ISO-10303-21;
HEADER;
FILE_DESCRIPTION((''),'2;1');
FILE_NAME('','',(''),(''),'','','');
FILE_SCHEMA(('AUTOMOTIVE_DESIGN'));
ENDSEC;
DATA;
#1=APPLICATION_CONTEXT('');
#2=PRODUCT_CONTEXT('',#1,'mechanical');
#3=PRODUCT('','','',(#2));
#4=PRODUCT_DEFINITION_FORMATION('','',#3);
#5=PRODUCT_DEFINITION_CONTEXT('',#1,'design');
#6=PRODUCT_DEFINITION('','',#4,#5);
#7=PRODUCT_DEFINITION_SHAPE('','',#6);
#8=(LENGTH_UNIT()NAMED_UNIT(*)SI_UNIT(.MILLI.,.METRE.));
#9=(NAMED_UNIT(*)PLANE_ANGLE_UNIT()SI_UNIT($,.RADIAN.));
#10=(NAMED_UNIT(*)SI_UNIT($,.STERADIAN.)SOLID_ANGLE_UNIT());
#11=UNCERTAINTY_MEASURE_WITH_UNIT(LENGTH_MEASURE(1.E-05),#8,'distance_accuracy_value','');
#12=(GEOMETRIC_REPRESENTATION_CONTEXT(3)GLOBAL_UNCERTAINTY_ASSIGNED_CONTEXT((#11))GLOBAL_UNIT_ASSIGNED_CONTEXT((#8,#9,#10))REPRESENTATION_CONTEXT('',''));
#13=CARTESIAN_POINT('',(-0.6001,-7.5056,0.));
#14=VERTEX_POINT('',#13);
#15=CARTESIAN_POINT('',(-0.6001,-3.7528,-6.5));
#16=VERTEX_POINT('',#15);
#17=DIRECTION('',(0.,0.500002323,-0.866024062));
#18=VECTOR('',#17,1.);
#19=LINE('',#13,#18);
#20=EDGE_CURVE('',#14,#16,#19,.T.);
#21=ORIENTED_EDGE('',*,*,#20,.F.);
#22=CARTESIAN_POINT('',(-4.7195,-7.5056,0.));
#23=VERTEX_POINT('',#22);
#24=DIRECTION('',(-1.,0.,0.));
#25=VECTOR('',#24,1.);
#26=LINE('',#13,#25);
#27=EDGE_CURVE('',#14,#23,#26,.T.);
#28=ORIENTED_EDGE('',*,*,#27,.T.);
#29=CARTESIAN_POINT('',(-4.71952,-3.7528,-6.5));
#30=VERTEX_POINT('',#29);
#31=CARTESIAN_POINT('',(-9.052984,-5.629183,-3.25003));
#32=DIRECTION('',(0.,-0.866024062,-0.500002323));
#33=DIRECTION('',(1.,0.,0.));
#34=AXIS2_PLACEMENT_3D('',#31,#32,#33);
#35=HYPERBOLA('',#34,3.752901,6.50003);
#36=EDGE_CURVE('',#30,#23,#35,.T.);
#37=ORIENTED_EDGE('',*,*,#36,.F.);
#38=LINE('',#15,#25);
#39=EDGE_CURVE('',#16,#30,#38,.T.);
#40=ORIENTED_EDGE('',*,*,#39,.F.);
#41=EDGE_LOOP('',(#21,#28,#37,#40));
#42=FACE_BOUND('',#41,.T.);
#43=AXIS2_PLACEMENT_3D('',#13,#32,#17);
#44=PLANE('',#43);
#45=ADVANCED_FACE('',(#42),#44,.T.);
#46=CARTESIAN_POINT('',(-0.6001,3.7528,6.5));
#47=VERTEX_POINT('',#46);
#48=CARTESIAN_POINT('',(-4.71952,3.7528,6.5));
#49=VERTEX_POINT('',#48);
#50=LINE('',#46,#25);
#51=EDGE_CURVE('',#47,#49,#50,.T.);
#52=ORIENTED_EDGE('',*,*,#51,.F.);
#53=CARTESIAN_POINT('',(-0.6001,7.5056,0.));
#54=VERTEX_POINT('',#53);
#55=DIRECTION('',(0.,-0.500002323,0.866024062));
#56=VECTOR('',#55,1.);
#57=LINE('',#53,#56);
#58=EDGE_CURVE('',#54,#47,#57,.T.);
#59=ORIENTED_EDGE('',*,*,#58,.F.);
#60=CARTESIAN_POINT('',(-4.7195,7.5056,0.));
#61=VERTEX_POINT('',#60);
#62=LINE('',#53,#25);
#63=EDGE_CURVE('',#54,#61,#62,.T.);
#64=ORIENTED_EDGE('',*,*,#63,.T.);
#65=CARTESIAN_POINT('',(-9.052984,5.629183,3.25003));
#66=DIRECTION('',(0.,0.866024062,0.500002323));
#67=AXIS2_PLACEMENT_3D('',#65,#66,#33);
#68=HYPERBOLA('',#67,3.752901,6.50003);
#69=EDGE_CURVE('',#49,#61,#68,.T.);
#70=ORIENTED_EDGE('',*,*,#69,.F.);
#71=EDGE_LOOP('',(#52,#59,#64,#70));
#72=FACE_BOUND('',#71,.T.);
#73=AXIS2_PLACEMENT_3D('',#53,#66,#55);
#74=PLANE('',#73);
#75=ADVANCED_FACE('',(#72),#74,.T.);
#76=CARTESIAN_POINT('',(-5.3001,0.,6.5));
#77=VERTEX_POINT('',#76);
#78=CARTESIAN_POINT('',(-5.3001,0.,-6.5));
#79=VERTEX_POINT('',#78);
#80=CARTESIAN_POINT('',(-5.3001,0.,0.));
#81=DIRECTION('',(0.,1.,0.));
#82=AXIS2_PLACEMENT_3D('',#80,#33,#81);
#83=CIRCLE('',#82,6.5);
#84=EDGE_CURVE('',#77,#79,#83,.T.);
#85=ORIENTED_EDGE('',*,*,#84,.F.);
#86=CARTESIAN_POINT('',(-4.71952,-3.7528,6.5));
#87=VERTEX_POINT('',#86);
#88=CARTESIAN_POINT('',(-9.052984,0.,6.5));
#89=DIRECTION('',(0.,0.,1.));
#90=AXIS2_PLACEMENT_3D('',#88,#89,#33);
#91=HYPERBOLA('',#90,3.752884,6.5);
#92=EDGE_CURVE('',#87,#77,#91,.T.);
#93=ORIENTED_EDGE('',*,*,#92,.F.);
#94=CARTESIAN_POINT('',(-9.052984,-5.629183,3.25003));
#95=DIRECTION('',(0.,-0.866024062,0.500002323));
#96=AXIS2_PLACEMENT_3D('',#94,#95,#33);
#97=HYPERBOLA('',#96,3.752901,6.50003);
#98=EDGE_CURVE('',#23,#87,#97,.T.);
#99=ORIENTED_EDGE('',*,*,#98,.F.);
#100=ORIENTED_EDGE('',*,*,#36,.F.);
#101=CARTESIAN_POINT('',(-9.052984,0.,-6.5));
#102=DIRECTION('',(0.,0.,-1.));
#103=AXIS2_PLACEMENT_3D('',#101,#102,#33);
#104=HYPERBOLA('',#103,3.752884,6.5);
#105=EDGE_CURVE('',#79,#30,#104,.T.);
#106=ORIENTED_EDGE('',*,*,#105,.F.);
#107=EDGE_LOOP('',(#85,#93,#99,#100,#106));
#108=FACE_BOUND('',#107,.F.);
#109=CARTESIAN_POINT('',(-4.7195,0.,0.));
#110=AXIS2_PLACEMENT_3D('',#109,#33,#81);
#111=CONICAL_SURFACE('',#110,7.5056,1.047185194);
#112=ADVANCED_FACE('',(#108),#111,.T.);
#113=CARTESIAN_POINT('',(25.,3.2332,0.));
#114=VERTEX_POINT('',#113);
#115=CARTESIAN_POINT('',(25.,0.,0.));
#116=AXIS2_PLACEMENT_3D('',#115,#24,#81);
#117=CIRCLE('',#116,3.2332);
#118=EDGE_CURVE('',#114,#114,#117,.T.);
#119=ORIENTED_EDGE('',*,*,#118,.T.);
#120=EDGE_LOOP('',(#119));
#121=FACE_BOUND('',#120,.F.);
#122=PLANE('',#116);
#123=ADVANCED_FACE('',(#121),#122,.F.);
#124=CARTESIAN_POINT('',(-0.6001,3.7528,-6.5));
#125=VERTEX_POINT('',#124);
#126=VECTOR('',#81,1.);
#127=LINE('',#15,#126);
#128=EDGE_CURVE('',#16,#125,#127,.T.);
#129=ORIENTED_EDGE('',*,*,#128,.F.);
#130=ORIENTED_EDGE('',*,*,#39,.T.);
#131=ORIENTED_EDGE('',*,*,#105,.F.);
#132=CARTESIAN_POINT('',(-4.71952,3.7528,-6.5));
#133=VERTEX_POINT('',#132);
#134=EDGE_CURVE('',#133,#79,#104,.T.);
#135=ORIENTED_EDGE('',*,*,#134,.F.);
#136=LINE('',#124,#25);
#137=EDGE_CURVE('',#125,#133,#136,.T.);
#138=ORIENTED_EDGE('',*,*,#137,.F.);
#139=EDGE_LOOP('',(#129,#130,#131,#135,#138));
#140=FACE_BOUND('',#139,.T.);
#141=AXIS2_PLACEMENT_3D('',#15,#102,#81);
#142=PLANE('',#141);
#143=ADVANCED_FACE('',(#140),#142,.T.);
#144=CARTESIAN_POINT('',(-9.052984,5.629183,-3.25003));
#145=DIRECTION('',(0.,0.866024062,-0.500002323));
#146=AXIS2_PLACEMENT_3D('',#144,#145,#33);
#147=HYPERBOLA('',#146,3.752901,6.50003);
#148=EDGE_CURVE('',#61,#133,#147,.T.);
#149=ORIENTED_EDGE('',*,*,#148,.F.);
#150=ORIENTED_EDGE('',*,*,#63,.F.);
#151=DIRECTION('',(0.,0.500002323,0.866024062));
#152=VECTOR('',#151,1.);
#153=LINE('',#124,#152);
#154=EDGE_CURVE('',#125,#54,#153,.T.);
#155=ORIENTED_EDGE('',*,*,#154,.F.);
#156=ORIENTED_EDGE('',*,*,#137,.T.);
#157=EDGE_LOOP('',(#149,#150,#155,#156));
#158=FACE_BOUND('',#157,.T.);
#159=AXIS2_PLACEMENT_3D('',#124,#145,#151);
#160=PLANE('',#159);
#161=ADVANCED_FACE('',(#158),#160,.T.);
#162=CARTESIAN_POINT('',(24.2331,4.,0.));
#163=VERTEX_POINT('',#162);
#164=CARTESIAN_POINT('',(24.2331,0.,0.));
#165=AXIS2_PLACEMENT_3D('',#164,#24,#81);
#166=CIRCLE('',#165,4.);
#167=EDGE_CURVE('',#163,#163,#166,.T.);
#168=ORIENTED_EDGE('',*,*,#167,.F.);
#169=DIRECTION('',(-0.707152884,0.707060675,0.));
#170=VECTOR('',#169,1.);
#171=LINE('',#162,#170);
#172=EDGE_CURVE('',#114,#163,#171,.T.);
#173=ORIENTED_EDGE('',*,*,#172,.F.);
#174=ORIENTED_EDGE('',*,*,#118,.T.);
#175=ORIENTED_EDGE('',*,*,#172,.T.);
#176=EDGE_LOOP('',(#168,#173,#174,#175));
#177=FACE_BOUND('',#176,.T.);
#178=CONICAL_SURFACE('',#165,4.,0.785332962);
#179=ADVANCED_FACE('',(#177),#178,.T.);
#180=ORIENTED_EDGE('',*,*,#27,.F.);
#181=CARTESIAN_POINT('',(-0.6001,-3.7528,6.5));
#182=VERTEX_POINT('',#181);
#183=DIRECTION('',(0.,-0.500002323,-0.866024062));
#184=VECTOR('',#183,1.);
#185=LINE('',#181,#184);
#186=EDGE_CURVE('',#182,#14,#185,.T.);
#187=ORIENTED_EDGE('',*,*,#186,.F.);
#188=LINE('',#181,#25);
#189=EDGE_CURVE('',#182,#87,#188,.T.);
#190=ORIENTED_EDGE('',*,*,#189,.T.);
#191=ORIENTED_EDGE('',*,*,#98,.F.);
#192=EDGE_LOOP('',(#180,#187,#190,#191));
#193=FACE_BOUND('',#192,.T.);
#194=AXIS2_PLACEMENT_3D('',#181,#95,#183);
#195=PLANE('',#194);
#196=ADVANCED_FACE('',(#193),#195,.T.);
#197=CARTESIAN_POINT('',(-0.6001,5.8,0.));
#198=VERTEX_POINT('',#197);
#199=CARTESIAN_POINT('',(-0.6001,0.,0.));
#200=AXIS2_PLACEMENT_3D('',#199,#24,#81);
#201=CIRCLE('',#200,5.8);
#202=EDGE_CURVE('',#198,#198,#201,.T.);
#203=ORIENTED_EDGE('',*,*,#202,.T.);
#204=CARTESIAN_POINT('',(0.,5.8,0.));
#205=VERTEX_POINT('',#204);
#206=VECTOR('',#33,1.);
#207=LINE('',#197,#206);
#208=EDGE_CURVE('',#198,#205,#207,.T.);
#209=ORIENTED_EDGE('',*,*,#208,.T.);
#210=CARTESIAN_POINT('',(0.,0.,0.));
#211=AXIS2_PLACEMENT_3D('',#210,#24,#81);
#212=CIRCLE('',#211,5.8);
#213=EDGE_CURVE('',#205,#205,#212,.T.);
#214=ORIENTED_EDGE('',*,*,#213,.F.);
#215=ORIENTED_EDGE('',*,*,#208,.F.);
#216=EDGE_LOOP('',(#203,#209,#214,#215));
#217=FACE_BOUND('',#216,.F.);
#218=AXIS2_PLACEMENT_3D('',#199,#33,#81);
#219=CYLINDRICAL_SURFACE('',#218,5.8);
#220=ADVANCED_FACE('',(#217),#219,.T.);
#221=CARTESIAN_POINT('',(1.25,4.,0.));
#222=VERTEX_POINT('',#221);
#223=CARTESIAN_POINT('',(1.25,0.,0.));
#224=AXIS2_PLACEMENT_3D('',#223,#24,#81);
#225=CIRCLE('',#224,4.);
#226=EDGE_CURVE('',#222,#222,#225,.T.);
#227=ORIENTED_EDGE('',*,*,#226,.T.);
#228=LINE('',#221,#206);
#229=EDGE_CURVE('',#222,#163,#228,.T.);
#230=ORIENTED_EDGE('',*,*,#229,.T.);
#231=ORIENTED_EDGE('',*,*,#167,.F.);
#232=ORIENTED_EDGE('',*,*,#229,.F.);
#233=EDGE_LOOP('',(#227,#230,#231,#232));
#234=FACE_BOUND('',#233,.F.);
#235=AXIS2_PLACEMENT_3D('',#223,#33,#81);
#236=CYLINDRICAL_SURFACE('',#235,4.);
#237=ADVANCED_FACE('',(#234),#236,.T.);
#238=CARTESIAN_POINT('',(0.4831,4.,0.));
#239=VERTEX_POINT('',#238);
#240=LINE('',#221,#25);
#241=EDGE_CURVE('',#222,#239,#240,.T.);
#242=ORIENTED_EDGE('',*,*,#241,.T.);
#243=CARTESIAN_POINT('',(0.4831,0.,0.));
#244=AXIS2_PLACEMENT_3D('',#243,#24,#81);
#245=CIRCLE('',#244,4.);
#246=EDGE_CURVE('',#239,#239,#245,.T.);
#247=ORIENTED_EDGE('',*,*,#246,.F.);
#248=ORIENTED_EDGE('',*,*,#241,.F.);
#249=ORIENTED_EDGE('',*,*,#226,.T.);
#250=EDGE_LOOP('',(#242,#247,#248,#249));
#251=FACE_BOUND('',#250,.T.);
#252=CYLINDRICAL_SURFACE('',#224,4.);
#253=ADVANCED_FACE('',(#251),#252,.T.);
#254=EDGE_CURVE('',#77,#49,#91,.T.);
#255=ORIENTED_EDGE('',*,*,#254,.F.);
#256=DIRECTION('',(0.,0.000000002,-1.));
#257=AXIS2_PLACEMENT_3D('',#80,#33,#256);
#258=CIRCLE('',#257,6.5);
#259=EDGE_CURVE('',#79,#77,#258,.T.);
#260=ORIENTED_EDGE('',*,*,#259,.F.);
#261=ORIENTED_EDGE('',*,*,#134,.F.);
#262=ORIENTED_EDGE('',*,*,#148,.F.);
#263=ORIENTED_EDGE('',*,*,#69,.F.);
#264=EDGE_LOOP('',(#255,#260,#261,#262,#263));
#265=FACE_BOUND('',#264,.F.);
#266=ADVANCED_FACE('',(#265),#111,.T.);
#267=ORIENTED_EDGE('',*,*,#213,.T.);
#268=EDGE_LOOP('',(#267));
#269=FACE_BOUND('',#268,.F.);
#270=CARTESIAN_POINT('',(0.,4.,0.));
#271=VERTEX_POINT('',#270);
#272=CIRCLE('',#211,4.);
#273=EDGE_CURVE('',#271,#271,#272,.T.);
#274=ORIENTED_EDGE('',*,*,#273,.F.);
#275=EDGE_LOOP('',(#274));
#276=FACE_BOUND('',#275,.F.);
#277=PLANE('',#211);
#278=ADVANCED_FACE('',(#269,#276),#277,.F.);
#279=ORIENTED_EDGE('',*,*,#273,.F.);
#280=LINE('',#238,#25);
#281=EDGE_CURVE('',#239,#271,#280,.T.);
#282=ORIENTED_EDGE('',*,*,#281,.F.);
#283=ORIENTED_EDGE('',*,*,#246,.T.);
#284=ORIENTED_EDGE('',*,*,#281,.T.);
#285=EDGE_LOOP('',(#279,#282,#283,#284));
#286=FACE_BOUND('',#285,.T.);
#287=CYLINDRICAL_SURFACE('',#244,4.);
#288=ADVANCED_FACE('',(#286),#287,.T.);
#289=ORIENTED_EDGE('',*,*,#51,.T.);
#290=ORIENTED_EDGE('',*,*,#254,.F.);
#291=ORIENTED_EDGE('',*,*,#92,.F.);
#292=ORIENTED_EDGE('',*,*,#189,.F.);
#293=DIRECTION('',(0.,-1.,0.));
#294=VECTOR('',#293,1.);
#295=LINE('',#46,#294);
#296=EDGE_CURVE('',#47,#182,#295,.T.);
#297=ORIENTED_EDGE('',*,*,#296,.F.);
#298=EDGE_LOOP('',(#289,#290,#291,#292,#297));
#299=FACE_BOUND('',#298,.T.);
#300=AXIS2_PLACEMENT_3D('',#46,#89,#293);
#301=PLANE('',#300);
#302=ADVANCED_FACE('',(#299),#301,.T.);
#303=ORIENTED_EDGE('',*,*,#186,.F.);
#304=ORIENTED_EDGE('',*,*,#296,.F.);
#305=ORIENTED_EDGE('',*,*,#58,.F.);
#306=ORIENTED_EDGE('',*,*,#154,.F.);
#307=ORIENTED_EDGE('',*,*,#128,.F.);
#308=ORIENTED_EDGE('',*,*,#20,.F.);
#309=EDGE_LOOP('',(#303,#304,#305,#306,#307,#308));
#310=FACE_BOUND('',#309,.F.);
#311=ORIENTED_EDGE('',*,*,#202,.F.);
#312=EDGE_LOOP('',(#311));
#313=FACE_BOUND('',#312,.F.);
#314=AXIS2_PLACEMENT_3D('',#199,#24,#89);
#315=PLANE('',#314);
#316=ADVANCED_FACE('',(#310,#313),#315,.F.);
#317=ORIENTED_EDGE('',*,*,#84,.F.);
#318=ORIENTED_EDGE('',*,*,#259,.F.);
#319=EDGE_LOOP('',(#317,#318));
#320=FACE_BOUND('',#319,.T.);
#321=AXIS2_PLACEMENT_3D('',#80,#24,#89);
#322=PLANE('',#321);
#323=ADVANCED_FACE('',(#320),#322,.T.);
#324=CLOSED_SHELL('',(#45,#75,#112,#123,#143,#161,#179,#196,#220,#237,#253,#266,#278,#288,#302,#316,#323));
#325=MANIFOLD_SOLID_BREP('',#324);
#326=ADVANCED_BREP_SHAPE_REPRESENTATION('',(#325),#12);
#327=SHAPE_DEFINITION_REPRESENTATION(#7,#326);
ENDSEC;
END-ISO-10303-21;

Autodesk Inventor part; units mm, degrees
ref_plane "YZ Plane" through (0, 0, 0) normal (1, 0, 0) x (0, 1, 0)
ref_plane "XZ Plane" through (0, 0, 0) normal (0, 1, 0) x (-1, 0, 0)
sketch "草图1" plane through (0, 0, 0) normal (0, 0, 1) x (1, 0, 0)
  line L0 (0, 5.8) -> (0, 4)
  line L1 (1.25, 4) -> (25, 4)
  line L2 (25, 4) -> (25, 0)
  line L3 (25, 0) -> (-0.6001, 0)
  line L4 (-5.7201, 0) -> (30.12, 0) projected
  line L5 (-0.6001, 0) -> (-0.6001, 5.8)
  line L6 (-0.6001, 5.8) -> (0, 5.8)
  line L7 (1.25, 4) -> (0.4831, 4)
  line L8 (0.4831, 4) -> (0, 4)
  line L9 (0, -1.16) -> (0, 6.96) projected
  dimension "d0" = 25
  dimension "d1" = 23.75
  dimension "d2" = 8
  dimension "d9" = 0.6001
  dimension "d10" = 11.6
  dimension "d13" = 0.7669
  dimension "d14" = 8
revolve "轴承体" add sketch "草图1" angle 360 about axis through (25, 0, 0) along (-1, 0, 0)
sketch "草图2" plane through (-0.6001, 0, 0) normal (-1, 0, 0) x (0, 0, 1)
  line L0 (0, 7.5056) -> (6.5, 3.7528)
  line L1 (6.5, 3.7528) -> (6.5, -3.7528)
  line L2 (6.5, -3.7528) -> (0, -7.5056)
  line L3 (0, -7.5056) -> (-6.5, -3.7528)
  line L4 (-6.5, -3.7528) -> (-6.5, 3.7528)
  line L5 (-6.5, 3.7528) -> (0, 7.5056)
  point P0 (0, 0)
  point P1 (0, 0)
  dimension "d11" = 13
extrude "头" add sketch "草图2" along normal blind 4.7
sketch "草图4" plane through (0, 0, 0) normal (0, 0, 1) x (1, 0, 0)
  line L0 (-5.3001, 6.5) -> (-5.3001, 7.5056)
  line L1 (-5.3001, 7.5056) -> (-4.7195, 7.5056)
  line L2 (-4.7195, 7.5056) -> (-5.3001, 6.5)
  line L3 (-6.2401, 0) -> (0.3399, 0) projected
  line L4 (-0.6001, 7.5056) -> (-5.3001, 7.5056) projected
  line L5 (-5.3001, 3.7528) -> (-5.3001, 7.5056) projected
  dimension "d5" = 30
  dimension "d19" = 13
revolve "倒角1" cut sketch "草图4" angle 360 about axis through (-10, 0, 0) along (1, 0, 0)
thread "螺纹" size "M8x1.25" designation "M8" class "6g" standard "GB Metric profile" length 23.75
chamfer "倒角2" distance 0.7668 distance2 0.7669 1 edges at (25, -4, 0) measured on face at (25, 0.998, -0.8842)
ref_plane "Work Plane1" through (1.525, 0, 0) normal (0, 0, 1) x (1, 0, 0)
equation "\"d11\" = SW"
equation "\"d3\" = KOH - SD"
equation "\"d15\" = GEL"
equation "\"d6\" = -0.5 * SPD + 0.5 * GD"
equation "\"d0\" = NLG"
equation "\"d1\" = GEL"
equation "\"d2\" = GD"
equation "\"d10\" = SD2"
equation "\"d14\" = BDM"
equation "\"d5\" = ANG1"
equation "\"d19\" = SW0"
equation "\"NLG\" = 25"
equation "\"GD\" = NND"
equation "\"BDM\" = NND"
equation "\"KOH\" = 5.3"
equation "\"GEL\" = 23.75"
equation "\"SW\" = 13"
equation "\"SW0\" = SW"
equation "\"SPD\" = NND - 1.2269 * PTC"
equation "\"SD2\" = SDH"
equation "\"SD\" = WFT"
equation "\"ANG1\" = 30deg"
equation "\"GAL\" = 0.61345 * PTC"
equation "\"GUL\" = 0.61345 * PTC"
equation "\"RR\" = 0.4"
equation "\"WFT\" = 0.6"
equation "\"GD1\" = THREADDIA - 1.2269 * PTC"
equation "\"THREADDIA\" = 8"
equation "\"SDH\" = 11.6"
equation "\"TOA\" = 30deg"
equation "\"FAWI\" = 45deg"
equation "\"PTC\" = 1.25"
equation "\"NND\" = 8"
equation "\"E0\" = 1.155 * SW"
properties part number "螺栓 GB/T 5783 M8 x 25" material "钢，软"
